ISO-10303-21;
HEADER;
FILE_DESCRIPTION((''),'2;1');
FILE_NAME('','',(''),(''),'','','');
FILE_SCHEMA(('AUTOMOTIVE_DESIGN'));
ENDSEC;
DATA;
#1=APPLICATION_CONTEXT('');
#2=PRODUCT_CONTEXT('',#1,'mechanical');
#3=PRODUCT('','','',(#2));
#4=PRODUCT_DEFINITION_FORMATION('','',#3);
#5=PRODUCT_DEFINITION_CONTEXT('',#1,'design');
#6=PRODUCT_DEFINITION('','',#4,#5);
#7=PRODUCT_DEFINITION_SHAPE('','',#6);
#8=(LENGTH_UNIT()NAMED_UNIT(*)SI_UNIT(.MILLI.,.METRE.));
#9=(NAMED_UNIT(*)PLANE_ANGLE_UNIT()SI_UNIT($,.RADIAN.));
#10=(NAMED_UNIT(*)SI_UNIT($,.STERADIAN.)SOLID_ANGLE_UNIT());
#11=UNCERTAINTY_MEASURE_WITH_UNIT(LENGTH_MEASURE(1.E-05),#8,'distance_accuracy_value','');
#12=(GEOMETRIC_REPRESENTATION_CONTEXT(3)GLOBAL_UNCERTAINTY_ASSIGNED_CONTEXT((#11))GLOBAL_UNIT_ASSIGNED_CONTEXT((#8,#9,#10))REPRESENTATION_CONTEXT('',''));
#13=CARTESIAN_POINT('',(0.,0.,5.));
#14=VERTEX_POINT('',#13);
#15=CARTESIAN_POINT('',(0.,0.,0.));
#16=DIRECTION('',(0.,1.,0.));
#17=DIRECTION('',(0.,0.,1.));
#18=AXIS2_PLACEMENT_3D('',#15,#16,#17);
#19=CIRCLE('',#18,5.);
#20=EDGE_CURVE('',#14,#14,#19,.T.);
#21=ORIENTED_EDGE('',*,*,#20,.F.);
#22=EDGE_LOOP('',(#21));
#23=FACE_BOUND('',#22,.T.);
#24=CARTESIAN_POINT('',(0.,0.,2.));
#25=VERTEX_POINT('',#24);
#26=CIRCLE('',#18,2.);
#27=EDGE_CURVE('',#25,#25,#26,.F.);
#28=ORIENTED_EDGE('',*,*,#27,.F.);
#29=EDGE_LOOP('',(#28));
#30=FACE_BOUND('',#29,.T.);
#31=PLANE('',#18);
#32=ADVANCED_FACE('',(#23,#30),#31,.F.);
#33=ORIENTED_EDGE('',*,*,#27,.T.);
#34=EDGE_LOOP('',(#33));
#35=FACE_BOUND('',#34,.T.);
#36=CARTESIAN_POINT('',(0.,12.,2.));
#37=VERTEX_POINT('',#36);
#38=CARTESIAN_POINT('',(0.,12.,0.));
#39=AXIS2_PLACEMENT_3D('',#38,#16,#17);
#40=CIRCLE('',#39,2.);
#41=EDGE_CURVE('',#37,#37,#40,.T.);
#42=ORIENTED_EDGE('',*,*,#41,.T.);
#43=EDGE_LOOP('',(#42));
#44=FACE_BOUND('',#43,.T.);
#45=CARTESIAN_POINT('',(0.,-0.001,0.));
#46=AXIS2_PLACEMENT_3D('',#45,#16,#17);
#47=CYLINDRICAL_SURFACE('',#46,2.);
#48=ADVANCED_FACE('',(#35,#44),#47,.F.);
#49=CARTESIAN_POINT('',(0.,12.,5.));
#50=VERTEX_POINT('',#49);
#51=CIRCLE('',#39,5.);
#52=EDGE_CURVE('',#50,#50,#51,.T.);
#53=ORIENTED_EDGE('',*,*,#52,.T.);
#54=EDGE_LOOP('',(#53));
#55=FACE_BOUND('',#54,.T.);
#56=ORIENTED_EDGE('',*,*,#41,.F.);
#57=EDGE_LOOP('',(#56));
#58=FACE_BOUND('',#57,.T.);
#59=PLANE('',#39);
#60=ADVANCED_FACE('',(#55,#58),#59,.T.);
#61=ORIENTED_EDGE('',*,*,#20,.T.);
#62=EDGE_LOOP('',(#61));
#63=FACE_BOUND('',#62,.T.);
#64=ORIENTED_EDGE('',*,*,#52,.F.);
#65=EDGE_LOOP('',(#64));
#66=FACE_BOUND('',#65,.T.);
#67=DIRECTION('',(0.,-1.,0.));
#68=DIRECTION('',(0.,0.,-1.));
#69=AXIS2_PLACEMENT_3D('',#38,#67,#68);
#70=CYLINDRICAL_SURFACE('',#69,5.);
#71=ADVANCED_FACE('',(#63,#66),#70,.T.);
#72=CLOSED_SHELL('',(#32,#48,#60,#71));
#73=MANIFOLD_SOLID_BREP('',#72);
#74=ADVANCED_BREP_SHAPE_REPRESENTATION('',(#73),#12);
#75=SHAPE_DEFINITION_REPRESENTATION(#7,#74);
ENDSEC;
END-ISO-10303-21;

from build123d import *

# Parameters (mm, degrees)
SKETCH1_R           = 5
BOSS_EXTRUDE1_DEPTH = 12
CUT_EXTRUDE1_REACH  = 15.928
SKETCH2_R           = 2


with BuildPart() as part:
    # Sketch1 → Boss-Extrude1 (new body)
    with BuildSketch(Plane(origin=(0, 0, 0), x_dir=(1, 0, 0), z_dir=(0, 1, 0))):
        with Locations(Location((0, 0, 0), (0, 0, 270))):
            Circle(SKETCH1_R)
    extrude(amount=BOSS_EXTRUDE1_DEPTH)

    # Sketch2 → Cut-Extrude1 (cut, up to next)
    with BuildSketch(Plane(origin=(0, 12, 0), x_dir=(1, 0, 0), z_dir=(0, 1, 0)), mode=Mode.PRIVATE) as cut_extrude1_sk1:
        with Locations(Location((0, 0, 0), (0, 0, 270))):
            Circle(SKETCH2_R)
    cut_extrude1_tool1 = extrude(cut_extrude1_sk1.sketch, amount=-CUT_EXTRUDE1_REACH, mode=Mode.PRIVATE) & part.part
    add(cut_extrude1_tool1.solids().sort_by_distance((0, 12, 0))[0], mode=Mode.SUBTRACT)


solid = part.part
